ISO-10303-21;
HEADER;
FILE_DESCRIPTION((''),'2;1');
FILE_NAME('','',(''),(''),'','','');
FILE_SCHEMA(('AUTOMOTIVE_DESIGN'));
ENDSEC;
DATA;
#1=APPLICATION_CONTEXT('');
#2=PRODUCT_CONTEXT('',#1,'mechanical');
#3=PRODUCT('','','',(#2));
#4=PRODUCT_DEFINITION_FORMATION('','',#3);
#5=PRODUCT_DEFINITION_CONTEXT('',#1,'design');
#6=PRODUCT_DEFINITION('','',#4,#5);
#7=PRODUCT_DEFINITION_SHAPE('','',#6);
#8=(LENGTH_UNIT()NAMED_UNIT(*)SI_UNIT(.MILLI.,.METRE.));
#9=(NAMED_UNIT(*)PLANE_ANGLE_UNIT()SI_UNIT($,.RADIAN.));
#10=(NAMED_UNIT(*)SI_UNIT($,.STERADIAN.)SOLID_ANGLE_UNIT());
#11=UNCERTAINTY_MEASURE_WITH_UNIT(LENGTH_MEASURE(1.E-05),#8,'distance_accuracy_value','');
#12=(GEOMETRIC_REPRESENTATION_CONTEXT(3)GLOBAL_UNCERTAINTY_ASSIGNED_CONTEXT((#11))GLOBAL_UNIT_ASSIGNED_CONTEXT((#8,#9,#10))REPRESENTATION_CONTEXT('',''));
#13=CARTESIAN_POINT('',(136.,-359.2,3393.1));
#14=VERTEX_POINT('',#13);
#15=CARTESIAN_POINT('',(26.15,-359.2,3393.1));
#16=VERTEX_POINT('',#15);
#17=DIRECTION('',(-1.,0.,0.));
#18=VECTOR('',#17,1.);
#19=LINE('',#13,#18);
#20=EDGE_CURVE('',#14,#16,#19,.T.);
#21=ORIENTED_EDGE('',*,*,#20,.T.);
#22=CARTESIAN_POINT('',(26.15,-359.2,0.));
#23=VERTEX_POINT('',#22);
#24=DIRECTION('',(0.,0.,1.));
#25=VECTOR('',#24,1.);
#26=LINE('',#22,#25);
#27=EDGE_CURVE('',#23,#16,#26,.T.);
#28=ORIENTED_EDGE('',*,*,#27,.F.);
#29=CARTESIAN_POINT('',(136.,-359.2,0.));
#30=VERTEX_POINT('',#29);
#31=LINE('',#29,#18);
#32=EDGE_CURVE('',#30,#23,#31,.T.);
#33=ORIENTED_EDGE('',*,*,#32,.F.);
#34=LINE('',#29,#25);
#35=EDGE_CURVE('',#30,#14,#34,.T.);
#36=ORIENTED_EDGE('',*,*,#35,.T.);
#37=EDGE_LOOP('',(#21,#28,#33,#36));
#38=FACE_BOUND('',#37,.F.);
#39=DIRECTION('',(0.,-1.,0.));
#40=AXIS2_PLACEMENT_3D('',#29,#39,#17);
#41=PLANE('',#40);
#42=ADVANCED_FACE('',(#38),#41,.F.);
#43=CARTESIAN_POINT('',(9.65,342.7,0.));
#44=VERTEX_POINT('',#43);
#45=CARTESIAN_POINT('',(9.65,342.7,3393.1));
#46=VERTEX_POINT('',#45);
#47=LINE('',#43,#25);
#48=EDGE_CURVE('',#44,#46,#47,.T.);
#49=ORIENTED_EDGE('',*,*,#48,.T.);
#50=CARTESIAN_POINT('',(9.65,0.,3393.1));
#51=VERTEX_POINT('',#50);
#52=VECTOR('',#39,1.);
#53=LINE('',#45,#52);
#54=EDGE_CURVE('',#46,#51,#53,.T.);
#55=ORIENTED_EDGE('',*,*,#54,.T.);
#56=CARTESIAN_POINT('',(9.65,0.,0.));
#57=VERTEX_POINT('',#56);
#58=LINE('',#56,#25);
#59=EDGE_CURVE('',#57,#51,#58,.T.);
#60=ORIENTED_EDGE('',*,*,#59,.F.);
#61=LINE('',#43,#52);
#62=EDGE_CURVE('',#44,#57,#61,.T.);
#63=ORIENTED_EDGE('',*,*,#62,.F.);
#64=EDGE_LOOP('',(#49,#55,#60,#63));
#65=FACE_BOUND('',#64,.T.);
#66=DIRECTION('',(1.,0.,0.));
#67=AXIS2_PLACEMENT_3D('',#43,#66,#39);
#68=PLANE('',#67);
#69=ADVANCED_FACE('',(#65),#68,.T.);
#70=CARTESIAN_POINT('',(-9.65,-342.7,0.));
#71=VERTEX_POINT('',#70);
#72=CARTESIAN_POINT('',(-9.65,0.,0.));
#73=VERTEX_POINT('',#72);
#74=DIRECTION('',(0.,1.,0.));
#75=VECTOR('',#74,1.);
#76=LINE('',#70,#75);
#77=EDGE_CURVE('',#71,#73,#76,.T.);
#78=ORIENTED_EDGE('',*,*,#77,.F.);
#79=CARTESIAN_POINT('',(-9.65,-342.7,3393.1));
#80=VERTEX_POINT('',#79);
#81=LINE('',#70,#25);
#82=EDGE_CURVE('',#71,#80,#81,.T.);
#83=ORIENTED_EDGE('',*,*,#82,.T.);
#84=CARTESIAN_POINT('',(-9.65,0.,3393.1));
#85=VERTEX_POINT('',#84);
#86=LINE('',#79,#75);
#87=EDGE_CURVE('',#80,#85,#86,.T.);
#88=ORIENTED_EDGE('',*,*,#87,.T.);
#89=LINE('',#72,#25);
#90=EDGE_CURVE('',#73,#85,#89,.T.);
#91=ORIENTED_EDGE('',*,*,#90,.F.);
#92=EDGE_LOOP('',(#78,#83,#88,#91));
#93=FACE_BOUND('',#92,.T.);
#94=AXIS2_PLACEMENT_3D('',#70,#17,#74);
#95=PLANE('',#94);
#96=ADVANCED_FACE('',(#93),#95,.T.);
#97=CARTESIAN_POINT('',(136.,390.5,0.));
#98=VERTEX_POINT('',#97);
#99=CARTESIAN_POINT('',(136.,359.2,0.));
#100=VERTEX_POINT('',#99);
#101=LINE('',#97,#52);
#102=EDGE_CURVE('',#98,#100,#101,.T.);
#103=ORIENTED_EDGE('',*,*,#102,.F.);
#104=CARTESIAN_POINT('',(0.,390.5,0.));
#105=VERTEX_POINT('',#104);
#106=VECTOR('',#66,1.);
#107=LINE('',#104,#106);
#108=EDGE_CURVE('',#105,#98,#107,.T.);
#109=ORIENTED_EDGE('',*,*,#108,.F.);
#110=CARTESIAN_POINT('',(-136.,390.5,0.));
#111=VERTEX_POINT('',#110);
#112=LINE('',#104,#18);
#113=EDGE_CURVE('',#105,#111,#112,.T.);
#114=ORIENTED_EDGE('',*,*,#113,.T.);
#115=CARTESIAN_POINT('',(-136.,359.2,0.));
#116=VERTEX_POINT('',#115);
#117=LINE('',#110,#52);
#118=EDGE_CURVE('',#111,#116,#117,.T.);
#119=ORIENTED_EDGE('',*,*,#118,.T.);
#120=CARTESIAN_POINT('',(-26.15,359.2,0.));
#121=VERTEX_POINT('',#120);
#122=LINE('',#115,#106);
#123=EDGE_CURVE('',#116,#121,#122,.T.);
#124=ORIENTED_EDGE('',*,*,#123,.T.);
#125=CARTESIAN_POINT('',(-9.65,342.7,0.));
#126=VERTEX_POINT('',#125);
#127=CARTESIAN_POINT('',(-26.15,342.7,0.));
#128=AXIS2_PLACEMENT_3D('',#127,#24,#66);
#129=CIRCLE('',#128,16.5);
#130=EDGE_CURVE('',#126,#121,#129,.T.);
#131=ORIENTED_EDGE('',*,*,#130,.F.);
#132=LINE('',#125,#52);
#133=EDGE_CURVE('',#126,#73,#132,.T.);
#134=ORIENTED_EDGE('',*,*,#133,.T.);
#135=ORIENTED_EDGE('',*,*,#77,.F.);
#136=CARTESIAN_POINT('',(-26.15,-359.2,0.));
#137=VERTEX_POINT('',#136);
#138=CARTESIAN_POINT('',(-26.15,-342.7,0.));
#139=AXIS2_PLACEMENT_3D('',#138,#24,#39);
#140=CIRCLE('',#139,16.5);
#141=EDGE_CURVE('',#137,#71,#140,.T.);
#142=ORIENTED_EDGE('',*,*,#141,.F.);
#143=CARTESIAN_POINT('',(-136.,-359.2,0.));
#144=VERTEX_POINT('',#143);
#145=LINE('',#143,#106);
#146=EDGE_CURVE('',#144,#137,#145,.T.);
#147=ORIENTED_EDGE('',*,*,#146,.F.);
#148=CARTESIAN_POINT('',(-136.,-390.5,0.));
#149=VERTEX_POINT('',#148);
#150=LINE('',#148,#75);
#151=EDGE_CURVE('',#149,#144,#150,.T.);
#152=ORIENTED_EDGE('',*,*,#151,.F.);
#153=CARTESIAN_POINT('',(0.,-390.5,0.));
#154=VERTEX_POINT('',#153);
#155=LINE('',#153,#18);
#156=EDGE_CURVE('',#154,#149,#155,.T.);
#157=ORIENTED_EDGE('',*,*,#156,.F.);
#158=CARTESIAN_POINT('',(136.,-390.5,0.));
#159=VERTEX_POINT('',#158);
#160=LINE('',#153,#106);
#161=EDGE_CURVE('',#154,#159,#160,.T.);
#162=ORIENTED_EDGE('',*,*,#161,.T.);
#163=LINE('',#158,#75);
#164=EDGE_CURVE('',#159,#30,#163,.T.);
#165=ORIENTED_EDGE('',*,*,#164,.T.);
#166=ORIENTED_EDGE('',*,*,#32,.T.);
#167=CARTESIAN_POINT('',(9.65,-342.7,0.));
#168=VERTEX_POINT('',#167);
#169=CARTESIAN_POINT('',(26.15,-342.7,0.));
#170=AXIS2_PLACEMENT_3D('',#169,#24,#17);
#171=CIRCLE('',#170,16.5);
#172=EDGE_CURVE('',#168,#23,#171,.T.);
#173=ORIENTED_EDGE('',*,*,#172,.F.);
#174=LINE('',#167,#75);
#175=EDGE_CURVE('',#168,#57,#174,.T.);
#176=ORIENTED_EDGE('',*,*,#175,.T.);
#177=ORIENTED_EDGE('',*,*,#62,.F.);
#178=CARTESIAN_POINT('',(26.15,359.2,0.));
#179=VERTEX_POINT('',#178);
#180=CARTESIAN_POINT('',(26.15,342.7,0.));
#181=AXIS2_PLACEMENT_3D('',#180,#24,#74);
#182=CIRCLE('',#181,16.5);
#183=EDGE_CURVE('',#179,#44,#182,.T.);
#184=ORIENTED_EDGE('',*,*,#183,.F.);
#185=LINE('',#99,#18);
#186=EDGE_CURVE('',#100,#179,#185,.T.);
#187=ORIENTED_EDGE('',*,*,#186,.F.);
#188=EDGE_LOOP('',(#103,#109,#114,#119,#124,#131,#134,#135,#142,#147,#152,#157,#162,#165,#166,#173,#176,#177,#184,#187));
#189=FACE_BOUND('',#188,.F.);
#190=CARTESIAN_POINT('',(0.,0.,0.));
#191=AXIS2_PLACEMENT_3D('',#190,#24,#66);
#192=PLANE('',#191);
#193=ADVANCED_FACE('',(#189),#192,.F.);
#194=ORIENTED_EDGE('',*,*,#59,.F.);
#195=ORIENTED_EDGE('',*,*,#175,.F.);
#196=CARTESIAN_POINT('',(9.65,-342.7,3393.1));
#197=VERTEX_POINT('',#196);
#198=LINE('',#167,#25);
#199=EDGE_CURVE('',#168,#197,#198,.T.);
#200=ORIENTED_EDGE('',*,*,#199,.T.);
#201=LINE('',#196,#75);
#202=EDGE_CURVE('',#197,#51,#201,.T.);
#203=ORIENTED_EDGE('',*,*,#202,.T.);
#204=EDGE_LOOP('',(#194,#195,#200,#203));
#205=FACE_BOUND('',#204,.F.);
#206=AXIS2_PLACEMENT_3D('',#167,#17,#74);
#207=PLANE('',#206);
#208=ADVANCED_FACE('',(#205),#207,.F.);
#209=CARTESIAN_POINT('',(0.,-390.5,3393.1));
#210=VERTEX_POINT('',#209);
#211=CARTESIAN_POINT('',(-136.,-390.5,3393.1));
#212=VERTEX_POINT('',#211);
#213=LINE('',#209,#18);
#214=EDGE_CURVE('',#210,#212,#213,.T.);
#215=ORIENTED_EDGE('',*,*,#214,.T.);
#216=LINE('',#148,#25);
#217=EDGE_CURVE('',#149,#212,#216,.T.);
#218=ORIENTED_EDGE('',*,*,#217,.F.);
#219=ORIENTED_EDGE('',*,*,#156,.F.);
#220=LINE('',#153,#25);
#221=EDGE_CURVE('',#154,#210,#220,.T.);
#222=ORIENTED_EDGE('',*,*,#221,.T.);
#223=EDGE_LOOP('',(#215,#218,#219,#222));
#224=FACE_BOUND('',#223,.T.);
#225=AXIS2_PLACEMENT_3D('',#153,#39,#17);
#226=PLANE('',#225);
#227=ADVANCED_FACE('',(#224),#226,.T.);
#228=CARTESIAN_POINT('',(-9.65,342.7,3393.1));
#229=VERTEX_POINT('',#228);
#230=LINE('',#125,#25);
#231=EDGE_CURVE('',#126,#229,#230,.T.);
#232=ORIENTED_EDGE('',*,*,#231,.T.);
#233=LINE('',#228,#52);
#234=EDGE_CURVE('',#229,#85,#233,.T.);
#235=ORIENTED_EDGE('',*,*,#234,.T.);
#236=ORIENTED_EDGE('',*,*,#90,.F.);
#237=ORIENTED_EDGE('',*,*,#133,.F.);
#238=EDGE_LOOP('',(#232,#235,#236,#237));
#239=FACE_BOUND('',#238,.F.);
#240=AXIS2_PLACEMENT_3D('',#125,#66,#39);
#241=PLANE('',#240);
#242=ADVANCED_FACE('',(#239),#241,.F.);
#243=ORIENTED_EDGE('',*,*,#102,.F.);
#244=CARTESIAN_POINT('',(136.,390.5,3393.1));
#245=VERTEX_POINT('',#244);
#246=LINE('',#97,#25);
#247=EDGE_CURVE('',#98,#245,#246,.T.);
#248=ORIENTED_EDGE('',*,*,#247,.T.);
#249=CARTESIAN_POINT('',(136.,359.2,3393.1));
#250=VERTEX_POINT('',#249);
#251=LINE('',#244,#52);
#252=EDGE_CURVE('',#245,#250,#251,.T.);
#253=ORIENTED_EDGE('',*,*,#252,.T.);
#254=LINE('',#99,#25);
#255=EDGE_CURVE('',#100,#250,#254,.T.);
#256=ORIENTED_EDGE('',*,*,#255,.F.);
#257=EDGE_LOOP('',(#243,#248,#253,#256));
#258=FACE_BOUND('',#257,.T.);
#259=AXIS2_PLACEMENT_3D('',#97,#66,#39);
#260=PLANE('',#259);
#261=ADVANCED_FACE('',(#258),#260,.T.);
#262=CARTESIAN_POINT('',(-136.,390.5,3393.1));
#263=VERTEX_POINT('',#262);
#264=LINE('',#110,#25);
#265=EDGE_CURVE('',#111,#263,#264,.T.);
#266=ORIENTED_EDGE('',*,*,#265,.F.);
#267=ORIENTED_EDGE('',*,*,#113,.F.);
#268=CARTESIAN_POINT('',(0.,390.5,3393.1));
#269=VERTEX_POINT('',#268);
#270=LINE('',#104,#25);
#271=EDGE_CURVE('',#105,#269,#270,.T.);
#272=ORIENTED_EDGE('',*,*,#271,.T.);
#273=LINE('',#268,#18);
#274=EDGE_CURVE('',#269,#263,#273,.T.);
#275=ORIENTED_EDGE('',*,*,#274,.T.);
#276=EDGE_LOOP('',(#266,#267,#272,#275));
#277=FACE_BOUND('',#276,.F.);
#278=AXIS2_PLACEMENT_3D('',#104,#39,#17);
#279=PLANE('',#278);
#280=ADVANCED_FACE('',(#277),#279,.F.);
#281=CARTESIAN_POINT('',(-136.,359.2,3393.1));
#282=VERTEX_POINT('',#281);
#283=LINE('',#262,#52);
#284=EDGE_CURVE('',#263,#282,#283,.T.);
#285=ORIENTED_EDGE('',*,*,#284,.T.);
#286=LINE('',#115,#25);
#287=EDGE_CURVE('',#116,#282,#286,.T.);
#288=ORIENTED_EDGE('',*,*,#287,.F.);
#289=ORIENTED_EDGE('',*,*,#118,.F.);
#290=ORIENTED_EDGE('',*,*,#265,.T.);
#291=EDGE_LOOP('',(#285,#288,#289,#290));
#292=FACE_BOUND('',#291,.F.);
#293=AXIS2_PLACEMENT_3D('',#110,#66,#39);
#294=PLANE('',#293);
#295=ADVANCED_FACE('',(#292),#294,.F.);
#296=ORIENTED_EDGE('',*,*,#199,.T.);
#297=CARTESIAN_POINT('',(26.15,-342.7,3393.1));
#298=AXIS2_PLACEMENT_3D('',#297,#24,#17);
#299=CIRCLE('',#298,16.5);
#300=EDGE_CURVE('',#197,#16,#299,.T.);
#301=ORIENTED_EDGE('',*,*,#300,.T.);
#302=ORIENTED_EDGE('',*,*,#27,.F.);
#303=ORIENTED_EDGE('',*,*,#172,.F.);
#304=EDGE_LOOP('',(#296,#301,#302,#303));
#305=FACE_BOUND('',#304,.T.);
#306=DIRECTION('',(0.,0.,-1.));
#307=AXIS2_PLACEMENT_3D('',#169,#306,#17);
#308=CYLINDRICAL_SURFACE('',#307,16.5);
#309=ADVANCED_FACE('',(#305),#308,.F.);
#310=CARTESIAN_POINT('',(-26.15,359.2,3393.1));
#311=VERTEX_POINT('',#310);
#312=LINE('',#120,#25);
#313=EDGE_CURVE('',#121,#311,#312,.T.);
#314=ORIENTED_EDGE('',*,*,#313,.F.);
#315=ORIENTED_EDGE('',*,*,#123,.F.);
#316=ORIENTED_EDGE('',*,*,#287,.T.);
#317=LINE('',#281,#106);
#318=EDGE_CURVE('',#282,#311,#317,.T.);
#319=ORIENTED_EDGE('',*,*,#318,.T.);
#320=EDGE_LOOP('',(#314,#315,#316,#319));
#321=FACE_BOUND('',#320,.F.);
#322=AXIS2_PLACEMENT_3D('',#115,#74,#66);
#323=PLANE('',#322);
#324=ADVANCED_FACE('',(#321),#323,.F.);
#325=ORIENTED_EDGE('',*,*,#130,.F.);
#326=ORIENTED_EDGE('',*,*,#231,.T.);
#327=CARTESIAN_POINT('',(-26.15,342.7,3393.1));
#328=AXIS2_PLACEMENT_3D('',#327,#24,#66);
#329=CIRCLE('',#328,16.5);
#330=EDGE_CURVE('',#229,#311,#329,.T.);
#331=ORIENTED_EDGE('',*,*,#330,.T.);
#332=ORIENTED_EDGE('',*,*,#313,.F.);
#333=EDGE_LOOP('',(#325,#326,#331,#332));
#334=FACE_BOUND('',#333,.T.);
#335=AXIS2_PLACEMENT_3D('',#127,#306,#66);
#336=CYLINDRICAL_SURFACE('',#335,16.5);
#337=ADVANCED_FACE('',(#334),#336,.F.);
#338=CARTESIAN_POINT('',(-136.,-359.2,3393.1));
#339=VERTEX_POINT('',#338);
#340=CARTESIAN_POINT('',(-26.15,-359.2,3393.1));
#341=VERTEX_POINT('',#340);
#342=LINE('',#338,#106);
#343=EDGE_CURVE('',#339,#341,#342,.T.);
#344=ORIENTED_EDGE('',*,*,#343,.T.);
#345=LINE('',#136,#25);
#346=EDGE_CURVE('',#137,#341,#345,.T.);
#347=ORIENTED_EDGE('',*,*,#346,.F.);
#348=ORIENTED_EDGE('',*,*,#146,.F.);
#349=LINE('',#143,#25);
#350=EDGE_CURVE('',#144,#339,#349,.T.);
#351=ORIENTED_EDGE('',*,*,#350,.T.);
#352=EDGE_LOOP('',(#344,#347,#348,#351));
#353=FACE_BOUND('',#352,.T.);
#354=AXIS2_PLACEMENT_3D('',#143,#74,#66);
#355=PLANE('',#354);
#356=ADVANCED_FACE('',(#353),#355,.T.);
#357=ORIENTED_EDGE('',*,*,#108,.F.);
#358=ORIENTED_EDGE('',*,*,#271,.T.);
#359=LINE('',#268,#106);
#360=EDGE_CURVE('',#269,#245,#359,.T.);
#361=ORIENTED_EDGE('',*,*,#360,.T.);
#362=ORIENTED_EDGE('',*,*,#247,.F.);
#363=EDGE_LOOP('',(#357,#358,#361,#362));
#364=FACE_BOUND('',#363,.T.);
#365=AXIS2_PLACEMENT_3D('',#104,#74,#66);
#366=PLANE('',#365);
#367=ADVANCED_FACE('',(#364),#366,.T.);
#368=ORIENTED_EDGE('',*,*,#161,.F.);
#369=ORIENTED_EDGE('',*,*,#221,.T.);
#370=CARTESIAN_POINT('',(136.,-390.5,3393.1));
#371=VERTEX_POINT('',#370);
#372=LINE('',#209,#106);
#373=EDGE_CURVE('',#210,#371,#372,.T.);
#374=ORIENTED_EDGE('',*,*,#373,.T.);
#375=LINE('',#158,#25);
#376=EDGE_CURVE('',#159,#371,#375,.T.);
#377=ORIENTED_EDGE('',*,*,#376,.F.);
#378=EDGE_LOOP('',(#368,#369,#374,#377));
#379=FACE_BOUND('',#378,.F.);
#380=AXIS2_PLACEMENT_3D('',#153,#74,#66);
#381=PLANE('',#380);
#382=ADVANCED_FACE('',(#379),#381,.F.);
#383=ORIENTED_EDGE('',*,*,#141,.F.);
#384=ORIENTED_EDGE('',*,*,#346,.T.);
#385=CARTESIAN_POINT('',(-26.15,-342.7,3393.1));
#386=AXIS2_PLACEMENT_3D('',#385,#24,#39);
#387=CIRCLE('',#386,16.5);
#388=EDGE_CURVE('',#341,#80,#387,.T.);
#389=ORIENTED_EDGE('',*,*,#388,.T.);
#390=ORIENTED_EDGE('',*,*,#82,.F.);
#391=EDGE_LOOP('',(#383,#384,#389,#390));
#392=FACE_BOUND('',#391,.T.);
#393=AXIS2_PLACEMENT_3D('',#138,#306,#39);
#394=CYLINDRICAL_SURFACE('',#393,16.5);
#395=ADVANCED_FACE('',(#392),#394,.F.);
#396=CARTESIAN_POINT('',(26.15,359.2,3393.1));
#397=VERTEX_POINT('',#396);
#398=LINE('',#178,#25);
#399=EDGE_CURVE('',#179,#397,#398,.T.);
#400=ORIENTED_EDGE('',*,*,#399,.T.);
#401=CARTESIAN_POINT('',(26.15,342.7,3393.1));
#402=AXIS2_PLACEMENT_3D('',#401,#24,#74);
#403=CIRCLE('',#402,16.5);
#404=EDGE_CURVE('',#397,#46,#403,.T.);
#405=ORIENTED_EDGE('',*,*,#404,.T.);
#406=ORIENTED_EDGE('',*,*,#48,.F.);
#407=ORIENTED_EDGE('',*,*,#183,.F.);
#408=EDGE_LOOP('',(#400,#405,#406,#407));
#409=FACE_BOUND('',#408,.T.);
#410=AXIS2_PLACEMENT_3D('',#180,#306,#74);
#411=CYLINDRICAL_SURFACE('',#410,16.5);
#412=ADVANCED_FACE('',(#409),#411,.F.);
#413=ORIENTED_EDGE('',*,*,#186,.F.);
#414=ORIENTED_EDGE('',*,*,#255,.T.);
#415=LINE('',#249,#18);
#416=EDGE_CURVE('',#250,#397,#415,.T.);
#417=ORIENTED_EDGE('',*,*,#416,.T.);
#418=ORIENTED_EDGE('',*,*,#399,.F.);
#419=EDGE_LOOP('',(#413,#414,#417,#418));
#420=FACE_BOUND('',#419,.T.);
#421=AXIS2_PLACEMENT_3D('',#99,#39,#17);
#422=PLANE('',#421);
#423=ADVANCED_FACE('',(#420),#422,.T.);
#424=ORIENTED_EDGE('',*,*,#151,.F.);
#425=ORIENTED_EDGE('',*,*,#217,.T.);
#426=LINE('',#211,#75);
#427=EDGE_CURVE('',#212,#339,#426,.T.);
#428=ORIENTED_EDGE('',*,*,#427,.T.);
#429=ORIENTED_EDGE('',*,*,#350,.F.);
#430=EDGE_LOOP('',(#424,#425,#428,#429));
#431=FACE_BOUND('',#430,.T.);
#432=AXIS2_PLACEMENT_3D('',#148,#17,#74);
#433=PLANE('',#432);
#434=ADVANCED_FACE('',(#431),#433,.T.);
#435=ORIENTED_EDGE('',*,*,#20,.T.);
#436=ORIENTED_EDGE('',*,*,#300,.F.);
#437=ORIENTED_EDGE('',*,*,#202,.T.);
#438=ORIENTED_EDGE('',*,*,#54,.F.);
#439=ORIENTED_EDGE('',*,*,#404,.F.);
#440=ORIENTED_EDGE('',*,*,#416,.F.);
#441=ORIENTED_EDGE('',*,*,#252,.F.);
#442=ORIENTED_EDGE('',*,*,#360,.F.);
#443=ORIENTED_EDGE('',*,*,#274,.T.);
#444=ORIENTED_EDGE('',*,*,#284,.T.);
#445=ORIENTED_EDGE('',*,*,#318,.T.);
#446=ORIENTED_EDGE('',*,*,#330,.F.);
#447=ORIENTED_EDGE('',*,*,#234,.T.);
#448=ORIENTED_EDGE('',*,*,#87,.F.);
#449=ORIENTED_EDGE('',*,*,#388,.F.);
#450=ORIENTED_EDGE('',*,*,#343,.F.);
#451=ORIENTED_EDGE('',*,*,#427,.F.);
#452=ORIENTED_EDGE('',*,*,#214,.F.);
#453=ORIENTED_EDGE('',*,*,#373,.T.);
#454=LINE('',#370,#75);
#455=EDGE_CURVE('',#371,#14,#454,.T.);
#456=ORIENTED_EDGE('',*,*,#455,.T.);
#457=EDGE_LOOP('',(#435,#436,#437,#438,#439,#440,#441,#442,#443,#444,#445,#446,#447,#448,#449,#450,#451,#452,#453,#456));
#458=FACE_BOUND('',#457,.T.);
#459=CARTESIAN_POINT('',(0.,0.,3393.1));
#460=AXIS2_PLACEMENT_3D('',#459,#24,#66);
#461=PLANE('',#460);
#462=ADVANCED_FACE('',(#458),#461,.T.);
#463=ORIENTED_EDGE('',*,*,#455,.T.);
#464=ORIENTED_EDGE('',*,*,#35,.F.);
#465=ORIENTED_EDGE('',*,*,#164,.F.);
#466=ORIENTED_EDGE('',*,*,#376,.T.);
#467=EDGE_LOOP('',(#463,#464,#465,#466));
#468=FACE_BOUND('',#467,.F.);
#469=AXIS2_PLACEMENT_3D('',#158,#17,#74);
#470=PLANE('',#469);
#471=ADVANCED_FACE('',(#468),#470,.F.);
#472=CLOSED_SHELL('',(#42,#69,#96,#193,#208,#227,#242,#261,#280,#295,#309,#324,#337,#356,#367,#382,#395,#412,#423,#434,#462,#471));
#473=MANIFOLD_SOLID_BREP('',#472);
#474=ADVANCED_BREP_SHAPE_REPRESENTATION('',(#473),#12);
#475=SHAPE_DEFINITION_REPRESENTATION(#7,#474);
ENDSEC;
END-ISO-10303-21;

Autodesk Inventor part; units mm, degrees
ref_plane "YZ Plane" through (0, 0, 0) normal (1, 0, 0) x (0, 1, 0)
ref_plane "Start plane" through (0, 0, 0) normal (0, 0, 1) x (1, 0, 0)
ref_plane "End plane" through (0, 0, 3393.1) normal (0, 0, 1) x (1, 0, 0)
sketch "Sketch" plane through (0, 0, 0) normal (0, 0, 1) x (1, 0, 0)
  line L0 (-136, -390.5) -> (-136, -359.2)
  line L1 (-136, -359.2) -> (-26.15, -359.2)
  line L2 (-9.65, -342.7) -> (-9.65, 0)
  line L3 (-9.65, 0) -> (0, 0) construction
  line L4 (0, 0) -> (0, -390.5) construction
  line L5 (0, -390.5) -> (-136, -390.5)
  line L6 (-60, 0) -> (80, 0) construction
  line L7 (0, -60) -> (0, 80) construction
  line L8 (136, -390.5) -> (136, -359.2)
  line L9 (136, -359.2) -> (26.15, -359.2)
  line L10 (9.65, -342.7) -> (9.65, 0)
  line L11 (9.65, 0) -> (0, 0) construction
  line L12 (0, -390.5) -> (136, -390.5)
  line L13 (-136, 390.5) -> (-136, 359.2)
  line L14 (-136, 359.2) -> (-26.15, 359.2)
  line L15 (-9.65, 342.7) -> (-9.65, 0)
  line L16 (0, 390.5) -> (-136, 390.5)
  line L17 (136, 390.5) -> (136, 359.2)
  line L18 (136, 359.2) -> (26.15, 359.2)
  line L19 (0, 390.5) -> (136, 390.5)
  line L20 (9.65, 342.7) -> (9.65, 0)
  arc A0 (-9.65, 342.7) -> (-26.15, 359.2) centre (-26.15, 342.7) ccw
  arc A1 (26.15, 359.2) -> (9.65, 342.7) centre (26.15, 342.7) ccw
  arc A2 (9.65, -342.7) -> (26.15, -359.2) centre (26.15, -342.7) ccw
  arc A3 (-26.15, -359.2) -> (-9.65, -342.7) centre (-26.15, -342.7) ccw
  line L21 (0, 108) -> (0, -88) construction
  line L22 (-88, 0) -> (108, 0) construction
  point P0 (-9.65, -359.2)
  point P1 (9.65, -359.2)
  point P2 (-9.65, 359.2)
  point P3 (9.65, 359.2)
  dimension "d1" = 390.5
  dimension "d2" = 31.3
  dimension "d3" = 136
  dimension "d4" = 9.65
  dimension "d10" = 16.5
extrude "Body" add sketch "Sketch" along normal up to surface (3393.1 mm away) from surface at 0
sketch "Sketch4" plane through (0, 0, 0) normal (0, 0, 1) x (1, 0, 0)
  line L0 (0, 0) -> (10, 0)
ref_plane "Work Plane3" through (0, 0, 0) normal (0, -1, 0) x (1, 0, 0)
sketch "Sketch5" plane through (0, 0, 0) normal (0, -1, 0) x (1, 0, 0)
  line L0 (-2, 0) -> (12, 0) projected
  line L1 (-2, 3393.1) -> (12, 3393.1) projected
  dimension "d14" = 3393.1
equation "\"d1\" = 0.5 * G_H"
equation "\"d2\" = G_T1"
equation "\"d3\" = 0.5 * G_W"
equation "\"d4\" = 0.5 * G_T"
equation "\"d10\" = G_IR"
equation "\"d5\" = G_L"
equation "\"G_W\" = 272"
equation "\"G_H\" = 781"
equation "\"G_T\" = 19.3"
equation "\"G_T1\" = 31.3"
equation "\"G_IR\" = 16.5"
equation "\"G_L\" = d14"
equation "\"G_OFFSET_START\" = 0"
equation "\"G_OFFSET_END\" = 0"
equation "\"d12\" = G_OFFSET_END + B_L"
equation "\"B_L\" = 3393.1"
properties part number "AS 3679-1990 - 760 UB - 244 - 3393.1" material "Steel, Mild"
